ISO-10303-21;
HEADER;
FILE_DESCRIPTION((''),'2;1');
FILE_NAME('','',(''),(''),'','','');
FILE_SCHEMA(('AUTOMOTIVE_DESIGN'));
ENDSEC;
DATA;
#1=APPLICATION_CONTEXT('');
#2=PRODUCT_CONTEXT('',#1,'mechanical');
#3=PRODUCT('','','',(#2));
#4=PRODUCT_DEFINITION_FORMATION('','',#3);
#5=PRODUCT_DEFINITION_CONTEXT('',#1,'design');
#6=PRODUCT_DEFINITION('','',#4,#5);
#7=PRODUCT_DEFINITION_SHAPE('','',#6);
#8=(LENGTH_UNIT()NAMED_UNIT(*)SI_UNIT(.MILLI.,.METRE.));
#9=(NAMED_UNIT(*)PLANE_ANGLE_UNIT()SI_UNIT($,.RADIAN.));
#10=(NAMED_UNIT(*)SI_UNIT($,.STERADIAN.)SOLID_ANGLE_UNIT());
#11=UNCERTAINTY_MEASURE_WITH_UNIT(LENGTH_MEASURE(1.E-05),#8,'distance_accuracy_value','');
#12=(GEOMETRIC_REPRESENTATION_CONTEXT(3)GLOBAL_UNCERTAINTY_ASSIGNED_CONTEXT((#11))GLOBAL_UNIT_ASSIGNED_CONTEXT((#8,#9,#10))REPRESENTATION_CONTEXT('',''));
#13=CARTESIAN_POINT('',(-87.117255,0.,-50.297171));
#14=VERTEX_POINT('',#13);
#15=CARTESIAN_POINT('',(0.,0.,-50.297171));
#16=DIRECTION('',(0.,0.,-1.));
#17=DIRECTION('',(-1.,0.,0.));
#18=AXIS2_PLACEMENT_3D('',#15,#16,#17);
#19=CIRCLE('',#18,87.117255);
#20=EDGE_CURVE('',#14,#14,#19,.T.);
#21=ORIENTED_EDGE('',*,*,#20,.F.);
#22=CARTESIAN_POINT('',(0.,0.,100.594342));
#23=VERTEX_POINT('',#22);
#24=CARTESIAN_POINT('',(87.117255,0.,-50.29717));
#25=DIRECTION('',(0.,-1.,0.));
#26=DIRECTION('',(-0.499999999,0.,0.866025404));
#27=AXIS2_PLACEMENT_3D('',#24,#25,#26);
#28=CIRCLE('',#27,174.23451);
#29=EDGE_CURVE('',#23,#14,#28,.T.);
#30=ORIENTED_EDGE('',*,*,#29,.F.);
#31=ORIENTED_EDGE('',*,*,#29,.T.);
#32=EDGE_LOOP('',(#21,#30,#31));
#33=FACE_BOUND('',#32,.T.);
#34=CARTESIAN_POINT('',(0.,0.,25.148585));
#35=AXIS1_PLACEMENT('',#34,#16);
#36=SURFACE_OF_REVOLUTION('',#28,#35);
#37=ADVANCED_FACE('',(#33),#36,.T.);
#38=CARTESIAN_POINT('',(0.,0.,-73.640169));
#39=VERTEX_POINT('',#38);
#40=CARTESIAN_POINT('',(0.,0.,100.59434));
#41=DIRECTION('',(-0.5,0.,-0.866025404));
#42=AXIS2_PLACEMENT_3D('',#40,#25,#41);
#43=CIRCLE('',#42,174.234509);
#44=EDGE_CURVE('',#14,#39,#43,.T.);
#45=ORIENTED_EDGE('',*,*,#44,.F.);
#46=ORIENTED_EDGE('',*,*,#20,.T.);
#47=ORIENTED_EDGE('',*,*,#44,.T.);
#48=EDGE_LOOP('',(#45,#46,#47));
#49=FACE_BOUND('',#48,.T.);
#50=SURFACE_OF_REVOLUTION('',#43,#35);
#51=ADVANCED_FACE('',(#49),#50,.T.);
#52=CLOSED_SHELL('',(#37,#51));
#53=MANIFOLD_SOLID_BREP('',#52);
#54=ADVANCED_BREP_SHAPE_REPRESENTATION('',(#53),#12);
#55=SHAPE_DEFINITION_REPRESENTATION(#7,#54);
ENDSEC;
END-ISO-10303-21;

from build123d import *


with BuildPart() as f1:
    # F0 (on Front) → F1 (revolve)
    with BuildSketch(Plane.XZ):
        Polygon((-87.117255, -50.297171), (0, -50.297171), (0, 100.594342), align=None)
        with BuildLine():
            Line((-87.117255, -50.297171), (0, 100.594342))
            ThreePointArc((0, 100.594342), (-63.774257, 36.820085), (-87.117255, -50.297171))
        make_face()
        with BuildLine():
            Line((0, -73.640169), (0, -50.297171))
            Line((0, -50.297171), (-87.117255, -50.297171))
            ThreePointArc((-87.117255, -50.297171), (-45.09521, -67.703272), (0, -73.640169))
        make_face()
    revolve(axis=Axis((0, 0, 25.148585), (0, 0, -1)))


solid = f1.part
